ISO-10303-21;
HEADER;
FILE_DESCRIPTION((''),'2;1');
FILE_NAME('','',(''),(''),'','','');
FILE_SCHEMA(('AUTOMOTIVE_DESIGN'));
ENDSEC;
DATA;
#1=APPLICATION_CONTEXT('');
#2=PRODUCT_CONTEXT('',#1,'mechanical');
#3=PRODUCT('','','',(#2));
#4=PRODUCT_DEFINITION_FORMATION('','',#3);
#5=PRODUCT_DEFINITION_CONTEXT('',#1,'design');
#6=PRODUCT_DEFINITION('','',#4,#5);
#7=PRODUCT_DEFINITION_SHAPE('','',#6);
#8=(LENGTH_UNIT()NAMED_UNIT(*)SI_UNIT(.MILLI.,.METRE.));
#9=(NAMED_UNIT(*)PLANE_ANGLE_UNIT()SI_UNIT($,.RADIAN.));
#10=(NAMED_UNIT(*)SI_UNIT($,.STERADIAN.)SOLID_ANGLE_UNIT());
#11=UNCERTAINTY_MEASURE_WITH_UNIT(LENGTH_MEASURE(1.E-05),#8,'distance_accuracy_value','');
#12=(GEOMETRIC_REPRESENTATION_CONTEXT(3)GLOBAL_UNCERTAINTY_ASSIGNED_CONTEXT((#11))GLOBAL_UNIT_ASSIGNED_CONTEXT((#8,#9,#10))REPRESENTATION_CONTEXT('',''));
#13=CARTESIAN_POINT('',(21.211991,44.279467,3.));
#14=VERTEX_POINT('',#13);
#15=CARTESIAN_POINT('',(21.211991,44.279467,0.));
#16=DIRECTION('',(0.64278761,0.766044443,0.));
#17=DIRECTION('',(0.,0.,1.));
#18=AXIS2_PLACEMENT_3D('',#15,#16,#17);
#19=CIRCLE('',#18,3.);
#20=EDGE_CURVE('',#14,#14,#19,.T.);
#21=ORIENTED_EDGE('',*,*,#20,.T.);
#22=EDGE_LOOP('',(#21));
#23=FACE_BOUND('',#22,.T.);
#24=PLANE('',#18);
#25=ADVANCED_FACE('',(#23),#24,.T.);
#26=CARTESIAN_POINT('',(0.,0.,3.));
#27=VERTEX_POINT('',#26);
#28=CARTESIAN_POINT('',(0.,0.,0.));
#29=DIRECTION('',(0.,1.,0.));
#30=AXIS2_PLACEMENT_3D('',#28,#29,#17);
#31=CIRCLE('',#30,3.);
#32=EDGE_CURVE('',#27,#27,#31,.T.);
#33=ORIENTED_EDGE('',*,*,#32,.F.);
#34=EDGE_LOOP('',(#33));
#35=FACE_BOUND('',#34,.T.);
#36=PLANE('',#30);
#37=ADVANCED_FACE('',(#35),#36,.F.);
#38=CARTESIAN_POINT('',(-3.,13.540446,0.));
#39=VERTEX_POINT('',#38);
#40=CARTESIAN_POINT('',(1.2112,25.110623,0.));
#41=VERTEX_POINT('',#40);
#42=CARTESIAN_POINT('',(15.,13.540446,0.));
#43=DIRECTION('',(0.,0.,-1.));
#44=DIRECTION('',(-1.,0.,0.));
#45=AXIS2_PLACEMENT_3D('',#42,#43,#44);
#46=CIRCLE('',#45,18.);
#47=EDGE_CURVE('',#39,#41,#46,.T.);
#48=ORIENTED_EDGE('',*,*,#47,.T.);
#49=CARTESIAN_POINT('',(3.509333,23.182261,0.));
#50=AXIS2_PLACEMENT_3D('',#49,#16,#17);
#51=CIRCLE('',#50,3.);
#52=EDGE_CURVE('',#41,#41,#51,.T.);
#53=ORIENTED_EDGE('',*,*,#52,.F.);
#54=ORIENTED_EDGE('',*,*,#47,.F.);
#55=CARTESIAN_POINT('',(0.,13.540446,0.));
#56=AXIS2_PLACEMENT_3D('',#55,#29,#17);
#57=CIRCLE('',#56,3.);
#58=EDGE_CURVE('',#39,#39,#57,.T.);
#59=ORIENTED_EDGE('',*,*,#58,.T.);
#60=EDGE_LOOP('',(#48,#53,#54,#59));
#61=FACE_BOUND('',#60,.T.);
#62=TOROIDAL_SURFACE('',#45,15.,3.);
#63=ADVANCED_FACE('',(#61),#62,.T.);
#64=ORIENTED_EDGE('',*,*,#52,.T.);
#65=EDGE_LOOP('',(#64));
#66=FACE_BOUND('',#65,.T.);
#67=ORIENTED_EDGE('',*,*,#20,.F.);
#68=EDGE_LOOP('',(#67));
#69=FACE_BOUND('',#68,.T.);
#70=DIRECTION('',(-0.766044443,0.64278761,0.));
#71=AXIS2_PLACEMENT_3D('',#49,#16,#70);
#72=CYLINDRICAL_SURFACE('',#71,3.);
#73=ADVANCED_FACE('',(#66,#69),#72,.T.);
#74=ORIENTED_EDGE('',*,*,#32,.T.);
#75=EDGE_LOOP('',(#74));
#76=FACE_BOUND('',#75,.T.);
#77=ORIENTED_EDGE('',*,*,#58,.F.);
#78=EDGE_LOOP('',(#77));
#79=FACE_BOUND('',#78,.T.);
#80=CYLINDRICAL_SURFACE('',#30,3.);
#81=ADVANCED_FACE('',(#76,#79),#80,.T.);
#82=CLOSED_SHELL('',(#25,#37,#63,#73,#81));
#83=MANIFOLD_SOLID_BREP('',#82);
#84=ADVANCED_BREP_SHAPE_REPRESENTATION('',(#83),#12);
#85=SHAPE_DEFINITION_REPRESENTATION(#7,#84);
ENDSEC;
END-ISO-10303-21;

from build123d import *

# Parameters (mm, degrees)
SKETCH2_R = 3


with BuildPart() as part:
    # Sweep1: sweep along a path in Sketch1
    with BuildLine(Plane.XY) as sweep1_path:
        Line((0, 0), (0, 13.540446486))
        ThreePointArc((0, 13.540446486), (0.904610688, 18.670748636), (3.509333353, 23.182260631))
        Line((3.509333353, 23.182260631), (21.21199112, 44.279466623))
    # Sketch2 → Sweep1 (sweep)
    with BuildSketch(Plane(origin=(0, 0, 0), x_dir=(1, 0, 0), z_dir=(0, 1, 0))):
        Circle(SKETCH2_R)
    sweep(path=sweep1_path.line)


solid = part.part
